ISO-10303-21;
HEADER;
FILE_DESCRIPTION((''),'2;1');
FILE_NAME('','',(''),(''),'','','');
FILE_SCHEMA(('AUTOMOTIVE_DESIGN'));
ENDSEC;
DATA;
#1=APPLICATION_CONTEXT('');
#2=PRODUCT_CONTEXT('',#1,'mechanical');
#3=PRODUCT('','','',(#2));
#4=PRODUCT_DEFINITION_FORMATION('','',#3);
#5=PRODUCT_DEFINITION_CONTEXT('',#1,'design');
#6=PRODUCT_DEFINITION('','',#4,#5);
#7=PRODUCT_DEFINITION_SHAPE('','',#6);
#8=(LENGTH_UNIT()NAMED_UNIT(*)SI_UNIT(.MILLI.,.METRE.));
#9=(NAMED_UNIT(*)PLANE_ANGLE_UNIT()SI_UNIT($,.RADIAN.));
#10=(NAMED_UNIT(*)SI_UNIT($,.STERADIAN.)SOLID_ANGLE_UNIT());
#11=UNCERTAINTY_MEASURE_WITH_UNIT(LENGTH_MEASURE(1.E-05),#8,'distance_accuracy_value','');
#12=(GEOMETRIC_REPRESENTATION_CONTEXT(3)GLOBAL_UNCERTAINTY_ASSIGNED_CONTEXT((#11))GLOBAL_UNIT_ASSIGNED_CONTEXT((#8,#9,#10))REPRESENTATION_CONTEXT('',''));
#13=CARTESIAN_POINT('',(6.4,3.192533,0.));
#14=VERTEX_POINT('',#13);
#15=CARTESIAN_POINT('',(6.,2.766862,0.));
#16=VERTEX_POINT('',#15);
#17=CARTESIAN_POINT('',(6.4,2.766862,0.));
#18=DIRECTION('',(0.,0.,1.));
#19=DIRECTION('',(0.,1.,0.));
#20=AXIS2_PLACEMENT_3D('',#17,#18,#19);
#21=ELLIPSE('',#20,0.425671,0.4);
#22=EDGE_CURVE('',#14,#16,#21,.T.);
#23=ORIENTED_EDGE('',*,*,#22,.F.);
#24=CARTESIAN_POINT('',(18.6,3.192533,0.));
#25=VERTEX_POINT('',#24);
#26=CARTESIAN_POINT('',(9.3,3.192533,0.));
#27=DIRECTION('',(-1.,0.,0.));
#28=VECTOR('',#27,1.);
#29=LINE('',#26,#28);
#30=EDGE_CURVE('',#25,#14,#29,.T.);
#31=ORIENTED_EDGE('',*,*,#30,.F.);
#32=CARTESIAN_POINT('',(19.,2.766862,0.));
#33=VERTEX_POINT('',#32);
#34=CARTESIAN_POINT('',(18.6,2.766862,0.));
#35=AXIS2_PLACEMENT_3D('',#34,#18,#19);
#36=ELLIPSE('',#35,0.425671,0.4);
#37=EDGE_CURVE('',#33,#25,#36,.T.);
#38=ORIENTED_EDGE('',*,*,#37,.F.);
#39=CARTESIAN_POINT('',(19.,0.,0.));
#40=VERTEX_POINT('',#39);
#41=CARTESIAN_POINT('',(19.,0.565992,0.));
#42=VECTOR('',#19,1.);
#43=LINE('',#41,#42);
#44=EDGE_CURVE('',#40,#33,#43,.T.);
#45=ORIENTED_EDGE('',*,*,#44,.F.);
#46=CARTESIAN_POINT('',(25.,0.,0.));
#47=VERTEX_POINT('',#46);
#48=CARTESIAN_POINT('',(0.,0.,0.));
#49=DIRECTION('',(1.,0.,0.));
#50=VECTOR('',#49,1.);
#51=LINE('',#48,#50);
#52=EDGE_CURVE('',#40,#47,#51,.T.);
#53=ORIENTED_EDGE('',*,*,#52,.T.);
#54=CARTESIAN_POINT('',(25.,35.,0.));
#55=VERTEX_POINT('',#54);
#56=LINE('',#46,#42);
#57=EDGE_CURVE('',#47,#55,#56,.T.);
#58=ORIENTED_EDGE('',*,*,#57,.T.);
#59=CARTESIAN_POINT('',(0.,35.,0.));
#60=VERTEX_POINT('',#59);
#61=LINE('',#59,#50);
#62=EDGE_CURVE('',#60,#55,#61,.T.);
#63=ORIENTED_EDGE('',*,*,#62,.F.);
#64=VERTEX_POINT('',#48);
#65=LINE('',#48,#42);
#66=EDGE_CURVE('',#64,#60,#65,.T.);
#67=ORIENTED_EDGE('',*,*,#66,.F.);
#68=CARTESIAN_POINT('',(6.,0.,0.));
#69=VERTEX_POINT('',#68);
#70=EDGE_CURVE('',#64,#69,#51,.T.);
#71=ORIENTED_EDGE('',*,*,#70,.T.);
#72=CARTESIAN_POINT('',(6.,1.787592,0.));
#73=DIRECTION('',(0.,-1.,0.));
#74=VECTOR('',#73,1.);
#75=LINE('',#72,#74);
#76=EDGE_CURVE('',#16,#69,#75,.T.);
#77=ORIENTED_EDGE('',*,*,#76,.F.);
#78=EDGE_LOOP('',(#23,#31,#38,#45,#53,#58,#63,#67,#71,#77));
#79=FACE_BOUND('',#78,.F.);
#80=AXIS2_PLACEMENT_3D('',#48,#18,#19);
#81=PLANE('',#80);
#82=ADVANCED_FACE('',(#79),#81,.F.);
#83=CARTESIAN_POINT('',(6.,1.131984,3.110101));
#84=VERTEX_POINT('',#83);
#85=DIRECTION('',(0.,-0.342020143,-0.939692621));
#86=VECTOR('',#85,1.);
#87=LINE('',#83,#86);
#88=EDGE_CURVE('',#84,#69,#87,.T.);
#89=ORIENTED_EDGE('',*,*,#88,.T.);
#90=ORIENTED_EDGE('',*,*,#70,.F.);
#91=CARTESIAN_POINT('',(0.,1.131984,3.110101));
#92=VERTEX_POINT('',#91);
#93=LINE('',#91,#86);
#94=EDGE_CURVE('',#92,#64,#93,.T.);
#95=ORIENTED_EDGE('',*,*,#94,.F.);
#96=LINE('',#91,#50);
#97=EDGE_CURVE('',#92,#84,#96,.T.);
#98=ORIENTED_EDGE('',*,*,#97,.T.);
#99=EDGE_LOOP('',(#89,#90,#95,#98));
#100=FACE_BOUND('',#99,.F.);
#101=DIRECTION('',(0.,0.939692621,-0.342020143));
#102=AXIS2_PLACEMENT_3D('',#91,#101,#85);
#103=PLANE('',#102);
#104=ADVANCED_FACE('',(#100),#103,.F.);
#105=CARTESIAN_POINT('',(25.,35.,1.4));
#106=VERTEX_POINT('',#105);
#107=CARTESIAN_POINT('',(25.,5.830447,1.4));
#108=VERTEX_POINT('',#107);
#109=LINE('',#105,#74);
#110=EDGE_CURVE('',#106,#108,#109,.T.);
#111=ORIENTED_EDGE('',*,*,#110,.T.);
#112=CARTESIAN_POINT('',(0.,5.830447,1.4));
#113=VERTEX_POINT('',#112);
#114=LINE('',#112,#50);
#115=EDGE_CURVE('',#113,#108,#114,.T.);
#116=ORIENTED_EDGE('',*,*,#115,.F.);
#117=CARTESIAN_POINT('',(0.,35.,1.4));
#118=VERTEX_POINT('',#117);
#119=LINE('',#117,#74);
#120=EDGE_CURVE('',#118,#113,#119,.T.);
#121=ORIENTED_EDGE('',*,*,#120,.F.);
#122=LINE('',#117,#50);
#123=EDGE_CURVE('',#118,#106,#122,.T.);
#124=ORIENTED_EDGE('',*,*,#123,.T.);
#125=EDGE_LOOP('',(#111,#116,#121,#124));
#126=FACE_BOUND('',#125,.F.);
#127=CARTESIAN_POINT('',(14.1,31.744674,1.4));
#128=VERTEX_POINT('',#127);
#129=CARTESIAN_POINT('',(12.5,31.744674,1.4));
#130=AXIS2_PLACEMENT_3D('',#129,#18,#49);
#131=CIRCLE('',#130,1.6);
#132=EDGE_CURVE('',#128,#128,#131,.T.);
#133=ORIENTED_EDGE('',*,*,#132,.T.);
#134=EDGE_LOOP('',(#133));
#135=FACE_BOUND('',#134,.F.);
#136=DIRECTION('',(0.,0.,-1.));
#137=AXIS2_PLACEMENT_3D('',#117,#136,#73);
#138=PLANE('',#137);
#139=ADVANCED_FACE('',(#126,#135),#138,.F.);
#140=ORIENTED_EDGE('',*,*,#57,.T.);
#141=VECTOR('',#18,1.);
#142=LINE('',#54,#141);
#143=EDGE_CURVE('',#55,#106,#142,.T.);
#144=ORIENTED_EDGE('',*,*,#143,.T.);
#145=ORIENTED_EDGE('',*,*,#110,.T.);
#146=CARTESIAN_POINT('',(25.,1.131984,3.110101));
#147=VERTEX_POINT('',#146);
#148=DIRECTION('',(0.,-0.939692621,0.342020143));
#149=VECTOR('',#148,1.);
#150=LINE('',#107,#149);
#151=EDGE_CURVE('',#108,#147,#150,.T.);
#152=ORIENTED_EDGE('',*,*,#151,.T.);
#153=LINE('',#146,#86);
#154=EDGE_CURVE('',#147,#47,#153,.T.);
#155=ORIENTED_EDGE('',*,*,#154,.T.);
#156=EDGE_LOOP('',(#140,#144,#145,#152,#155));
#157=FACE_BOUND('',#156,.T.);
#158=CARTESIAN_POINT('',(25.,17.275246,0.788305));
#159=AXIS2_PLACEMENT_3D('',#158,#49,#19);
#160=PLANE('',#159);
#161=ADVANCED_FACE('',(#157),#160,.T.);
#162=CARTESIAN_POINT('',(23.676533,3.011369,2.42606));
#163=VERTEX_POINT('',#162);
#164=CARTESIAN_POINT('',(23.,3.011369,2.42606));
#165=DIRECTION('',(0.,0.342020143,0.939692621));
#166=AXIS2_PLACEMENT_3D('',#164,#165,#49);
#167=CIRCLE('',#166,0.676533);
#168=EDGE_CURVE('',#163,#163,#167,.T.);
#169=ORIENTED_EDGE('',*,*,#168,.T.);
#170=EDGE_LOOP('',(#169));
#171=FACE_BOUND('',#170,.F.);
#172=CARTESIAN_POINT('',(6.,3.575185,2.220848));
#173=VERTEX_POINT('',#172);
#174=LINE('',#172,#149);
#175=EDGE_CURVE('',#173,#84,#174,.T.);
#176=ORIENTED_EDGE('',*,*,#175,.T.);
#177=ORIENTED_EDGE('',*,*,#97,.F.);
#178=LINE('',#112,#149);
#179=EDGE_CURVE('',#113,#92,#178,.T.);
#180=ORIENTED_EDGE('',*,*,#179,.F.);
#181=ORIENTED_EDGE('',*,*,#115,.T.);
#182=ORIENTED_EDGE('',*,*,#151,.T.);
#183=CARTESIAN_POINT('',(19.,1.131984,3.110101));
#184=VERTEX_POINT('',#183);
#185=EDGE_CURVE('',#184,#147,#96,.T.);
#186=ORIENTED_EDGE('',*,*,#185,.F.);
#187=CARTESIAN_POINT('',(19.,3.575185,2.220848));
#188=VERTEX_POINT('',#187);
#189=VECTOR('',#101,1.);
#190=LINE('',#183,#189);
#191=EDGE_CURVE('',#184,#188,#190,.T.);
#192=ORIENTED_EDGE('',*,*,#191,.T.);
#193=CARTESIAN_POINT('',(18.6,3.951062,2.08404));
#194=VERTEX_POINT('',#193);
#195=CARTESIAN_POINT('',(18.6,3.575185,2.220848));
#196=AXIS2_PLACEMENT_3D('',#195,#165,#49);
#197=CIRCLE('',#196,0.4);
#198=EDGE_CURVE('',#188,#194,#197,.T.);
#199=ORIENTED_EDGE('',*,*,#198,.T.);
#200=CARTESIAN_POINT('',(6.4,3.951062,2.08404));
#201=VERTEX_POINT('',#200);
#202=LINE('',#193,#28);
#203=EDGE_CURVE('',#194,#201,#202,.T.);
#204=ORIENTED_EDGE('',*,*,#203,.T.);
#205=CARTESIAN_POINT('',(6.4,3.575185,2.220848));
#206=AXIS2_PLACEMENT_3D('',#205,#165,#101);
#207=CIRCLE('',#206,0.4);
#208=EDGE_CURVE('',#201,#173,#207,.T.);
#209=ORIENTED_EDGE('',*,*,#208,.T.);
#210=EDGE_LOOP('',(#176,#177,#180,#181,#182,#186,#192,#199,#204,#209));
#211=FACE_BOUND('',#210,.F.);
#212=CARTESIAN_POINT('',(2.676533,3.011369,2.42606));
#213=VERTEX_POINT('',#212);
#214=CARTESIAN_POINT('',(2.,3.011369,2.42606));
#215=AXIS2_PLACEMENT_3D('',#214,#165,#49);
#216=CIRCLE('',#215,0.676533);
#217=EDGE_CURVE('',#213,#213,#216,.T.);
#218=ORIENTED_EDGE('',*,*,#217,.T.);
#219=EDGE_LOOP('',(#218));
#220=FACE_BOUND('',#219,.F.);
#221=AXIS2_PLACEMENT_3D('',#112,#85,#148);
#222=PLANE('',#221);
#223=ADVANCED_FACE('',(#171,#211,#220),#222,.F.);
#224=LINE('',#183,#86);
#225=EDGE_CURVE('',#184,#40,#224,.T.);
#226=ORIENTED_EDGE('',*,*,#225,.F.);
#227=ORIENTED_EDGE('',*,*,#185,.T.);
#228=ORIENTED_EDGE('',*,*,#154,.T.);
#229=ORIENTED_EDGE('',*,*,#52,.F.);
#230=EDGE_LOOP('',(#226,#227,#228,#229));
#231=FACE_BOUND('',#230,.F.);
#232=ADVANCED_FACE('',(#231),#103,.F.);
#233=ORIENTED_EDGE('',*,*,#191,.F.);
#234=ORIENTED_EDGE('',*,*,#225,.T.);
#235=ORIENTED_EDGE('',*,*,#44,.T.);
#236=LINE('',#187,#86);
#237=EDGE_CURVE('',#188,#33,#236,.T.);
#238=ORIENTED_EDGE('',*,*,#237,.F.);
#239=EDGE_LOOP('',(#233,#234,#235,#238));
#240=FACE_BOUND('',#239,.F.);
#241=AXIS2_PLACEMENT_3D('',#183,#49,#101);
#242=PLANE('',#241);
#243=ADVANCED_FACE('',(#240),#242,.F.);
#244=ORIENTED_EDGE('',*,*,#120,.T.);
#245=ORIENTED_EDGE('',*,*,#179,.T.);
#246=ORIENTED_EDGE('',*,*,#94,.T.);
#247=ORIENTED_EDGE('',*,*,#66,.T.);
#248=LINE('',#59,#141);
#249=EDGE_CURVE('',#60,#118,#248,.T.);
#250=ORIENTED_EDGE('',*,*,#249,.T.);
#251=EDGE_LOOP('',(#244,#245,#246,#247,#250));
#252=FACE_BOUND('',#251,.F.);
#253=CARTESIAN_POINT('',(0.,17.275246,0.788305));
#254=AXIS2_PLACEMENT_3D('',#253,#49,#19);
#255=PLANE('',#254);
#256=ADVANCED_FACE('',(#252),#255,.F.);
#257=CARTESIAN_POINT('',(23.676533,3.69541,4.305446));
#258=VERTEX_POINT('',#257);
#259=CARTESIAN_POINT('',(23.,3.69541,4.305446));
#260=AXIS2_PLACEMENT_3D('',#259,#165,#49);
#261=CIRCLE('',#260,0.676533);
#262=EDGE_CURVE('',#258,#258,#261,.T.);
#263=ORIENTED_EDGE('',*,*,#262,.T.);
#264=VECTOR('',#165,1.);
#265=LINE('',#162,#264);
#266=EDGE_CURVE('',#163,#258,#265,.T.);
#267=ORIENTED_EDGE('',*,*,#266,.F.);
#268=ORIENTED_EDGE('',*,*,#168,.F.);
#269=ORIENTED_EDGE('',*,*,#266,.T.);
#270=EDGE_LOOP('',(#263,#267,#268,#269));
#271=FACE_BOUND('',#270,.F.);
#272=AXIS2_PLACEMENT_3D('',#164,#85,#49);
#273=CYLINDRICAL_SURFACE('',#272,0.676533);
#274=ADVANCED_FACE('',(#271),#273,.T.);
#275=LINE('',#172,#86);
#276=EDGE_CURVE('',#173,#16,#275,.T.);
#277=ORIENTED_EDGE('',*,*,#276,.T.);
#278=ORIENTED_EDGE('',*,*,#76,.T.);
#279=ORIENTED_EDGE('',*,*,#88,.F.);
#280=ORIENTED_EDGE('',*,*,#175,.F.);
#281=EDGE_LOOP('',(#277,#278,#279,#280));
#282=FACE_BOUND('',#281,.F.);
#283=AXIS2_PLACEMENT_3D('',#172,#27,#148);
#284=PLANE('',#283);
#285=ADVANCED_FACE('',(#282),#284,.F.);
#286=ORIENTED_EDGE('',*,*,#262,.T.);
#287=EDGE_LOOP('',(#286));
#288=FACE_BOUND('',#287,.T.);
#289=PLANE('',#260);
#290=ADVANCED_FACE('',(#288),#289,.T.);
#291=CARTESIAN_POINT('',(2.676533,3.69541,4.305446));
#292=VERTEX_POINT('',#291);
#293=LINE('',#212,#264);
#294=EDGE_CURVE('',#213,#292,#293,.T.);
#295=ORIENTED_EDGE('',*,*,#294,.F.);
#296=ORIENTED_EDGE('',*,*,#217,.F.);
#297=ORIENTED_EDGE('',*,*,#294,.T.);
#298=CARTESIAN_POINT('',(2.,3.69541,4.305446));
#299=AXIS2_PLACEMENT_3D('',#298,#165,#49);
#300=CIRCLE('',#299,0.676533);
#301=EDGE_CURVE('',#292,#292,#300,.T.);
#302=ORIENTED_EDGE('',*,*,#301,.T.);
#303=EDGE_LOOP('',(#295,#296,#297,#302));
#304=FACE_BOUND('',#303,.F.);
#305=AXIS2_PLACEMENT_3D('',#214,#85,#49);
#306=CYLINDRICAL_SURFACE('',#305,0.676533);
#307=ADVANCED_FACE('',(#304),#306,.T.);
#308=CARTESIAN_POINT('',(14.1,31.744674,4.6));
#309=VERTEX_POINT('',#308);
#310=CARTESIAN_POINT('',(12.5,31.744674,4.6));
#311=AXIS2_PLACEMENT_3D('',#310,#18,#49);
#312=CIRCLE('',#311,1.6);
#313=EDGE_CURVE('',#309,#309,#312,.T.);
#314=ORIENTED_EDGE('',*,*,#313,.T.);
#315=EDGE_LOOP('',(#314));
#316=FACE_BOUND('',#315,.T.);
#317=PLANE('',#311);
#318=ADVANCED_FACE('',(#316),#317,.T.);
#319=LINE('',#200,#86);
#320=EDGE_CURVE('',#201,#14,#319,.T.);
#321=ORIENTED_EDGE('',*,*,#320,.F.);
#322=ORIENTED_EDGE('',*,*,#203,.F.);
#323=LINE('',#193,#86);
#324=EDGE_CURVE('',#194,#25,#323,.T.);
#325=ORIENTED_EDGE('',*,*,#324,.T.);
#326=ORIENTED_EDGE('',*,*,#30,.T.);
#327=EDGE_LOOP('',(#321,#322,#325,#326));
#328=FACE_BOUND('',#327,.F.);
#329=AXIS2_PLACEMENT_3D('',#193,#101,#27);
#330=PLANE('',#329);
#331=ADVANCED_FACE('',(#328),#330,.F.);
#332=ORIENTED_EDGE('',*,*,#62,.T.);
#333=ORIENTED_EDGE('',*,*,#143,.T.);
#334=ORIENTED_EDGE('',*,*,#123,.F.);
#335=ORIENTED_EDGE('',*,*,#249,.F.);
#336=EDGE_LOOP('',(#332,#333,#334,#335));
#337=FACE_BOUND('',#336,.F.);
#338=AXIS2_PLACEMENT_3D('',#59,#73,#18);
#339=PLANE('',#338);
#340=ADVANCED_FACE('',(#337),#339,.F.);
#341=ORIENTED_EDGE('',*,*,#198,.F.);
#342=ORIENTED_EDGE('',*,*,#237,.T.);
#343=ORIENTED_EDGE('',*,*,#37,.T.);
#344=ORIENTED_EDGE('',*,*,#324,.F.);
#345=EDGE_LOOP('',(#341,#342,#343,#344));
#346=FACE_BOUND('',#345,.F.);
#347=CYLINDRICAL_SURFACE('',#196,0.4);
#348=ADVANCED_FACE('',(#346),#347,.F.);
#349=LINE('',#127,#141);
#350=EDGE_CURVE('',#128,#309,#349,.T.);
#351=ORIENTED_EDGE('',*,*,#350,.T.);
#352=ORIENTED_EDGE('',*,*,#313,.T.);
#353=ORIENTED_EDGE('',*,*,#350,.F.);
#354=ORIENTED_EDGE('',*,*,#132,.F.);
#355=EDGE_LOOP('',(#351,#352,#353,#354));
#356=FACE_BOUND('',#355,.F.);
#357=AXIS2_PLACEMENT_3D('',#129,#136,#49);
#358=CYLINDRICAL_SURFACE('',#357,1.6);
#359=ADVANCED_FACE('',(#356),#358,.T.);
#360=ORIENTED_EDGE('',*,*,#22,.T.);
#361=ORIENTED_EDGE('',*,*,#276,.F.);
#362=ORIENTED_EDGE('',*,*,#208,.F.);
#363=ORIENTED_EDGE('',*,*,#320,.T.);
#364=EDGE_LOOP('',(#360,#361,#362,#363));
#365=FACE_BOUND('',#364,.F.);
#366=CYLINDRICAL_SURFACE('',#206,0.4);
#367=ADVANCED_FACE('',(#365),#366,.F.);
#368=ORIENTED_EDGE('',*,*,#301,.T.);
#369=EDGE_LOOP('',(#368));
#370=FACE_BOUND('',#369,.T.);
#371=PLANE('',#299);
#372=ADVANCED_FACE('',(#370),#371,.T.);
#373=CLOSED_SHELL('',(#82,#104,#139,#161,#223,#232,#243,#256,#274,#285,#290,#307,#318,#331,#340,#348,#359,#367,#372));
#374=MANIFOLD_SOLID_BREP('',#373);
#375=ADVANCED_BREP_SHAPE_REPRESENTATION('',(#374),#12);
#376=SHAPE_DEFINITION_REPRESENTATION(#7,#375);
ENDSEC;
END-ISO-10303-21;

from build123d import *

# Parameters (mm, degrees)
F2_DEPTH = 25
F4_DEPTH = 3.3107000528
F5_R     = 0.6765328669
F6_DEPTH = 2
F7_R     = 1.6
F8_DEPTH = 3.2


with BuildPart() as f2:
    # F1 (on Right) → F2 (new body)
    with BuildSketch(Plane.YZ):
        Polygon((0, 0), (35, 0), (35, 1.4), (5.8304471904, 1.4), (1.1319840864, 3.1101007166), align=None)
    extrude(amount=F2_DEPTH)

    # F3 (on face) → F4 (cut, through all)
    with BuildSketch(Plane(origin=(0, 1.1319840864, 3.1101007166), x_dir=(1, 0, 0), z_dir=(0, 0.3420201433, 0.9396926208))):
        with BuildLine():
            Line((6, 0), (19, 0))
            Line((19, 0), (19, 2.6))
            ThreePointArc((19, 2.6), (18.8828427125, 2.8828427125), (18.6, 3))
            Line((18.6, 3), (6.4, 3))
            ThreePointArc((6.4, 3), (6.1171572875, 2.8828427125), (6, 2.6))
            Line((6, 2.6), (6, 0))
        make_face()
    extrude(amount=-F4_DEPTH, mode=Mode.SUBTRACT)

    # F5 (on face) → F6 (join)
    with BuildSketch(Plane(origin=(0, 1.1319840864, 3.1101007166), x_dir=(1, 0, 0), z_dir=(0, 0.3420201433, 0.9396926208))):
        with Locations((23, 2)):
            Circle(F5_R)
        with Locations((2, 2)):
            Circle(F5_R)
    extrude(amount=F6_DEPTH)

    # F7 (on face) → F8 (join)
    with BuildSketch(Plane.XY.offset(1.4)):
        with Locations((12.5, 31.7446738482)):
            Circle(F7_R)
    extrude(amount=F8_DEPTH)


solid = f2.part
